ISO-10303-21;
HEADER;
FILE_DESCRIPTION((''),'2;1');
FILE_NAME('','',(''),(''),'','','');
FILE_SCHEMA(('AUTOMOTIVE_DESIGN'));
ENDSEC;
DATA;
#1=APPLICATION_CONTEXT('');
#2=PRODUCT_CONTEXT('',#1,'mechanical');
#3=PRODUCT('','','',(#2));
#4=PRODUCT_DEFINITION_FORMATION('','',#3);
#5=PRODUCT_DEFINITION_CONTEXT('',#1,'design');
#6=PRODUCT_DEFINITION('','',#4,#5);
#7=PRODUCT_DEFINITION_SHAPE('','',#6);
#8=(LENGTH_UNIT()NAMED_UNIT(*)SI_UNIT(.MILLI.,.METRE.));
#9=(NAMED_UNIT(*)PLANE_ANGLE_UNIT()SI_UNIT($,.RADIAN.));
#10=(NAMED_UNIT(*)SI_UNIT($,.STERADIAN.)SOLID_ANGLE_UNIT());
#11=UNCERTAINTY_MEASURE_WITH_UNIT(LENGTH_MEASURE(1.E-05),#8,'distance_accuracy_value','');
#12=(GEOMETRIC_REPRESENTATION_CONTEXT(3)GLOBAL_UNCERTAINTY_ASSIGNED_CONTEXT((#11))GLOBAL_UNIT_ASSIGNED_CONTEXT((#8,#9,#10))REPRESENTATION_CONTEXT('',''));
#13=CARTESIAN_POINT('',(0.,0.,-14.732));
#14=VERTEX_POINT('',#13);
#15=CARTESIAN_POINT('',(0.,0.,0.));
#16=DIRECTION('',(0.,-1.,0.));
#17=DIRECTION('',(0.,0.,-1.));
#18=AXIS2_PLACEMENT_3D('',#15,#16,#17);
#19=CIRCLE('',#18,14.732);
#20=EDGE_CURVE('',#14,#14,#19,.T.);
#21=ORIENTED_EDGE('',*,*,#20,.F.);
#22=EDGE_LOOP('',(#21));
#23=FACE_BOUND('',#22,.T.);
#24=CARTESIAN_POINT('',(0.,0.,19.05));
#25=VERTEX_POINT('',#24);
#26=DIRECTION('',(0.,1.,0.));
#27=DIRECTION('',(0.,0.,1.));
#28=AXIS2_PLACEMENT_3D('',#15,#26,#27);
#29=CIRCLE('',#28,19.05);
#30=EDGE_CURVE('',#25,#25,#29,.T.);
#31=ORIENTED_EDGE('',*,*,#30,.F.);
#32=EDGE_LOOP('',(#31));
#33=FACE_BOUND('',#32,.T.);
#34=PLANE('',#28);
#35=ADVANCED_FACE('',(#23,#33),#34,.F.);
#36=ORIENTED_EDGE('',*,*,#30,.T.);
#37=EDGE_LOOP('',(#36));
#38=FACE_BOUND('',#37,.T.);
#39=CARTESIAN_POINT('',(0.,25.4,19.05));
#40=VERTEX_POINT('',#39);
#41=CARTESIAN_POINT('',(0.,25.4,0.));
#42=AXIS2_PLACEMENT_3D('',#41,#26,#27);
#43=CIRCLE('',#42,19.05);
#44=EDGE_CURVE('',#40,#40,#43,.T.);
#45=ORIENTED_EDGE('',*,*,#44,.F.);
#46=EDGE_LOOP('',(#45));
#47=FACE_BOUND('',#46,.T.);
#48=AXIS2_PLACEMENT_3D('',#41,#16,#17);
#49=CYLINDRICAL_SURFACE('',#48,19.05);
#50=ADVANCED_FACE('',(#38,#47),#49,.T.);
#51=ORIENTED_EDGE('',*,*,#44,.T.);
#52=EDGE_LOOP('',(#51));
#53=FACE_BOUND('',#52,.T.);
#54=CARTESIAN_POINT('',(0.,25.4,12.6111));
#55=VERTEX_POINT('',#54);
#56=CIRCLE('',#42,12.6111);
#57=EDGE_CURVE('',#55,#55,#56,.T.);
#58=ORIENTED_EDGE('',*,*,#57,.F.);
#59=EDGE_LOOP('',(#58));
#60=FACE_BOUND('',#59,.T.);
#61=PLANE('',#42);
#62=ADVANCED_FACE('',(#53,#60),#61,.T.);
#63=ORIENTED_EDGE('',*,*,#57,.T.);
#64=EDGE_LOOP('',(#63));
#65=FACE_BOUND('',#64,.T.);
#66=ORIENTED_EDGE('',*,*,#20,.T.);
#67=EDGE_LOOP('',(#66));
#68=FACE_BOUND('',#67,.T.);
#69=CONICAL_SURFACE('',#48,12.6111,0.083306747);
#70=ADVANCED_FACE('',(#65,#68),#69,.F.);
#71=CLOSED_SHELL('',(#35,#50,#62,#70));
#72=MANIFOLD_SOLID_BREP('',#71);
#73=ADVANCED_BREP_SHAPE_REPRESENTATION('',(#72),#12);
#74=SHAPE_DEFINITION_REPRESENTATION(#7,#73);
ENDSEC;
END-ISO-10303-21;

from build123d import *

# Parameters (mm, degrees)
SKETCH1_R           = 19.05
BOSS_EXTRUDE1_DEPTH = 25.4
SKETCH3_R           = 12.6111
SKETCH2_R           = 14.732


with BuildPart() as part:
    # Sketch1 → Boss-Extrude1 (new body)
    with BuildSketch(Plane(origin=(0, 0, 0), x_dir=(1, 0, 0), z_dir=(0, 1, 0))):
        Circle(SKETCH1_R)
    extrude(amount=BOSS_EXTRUDE1_DEPTH)

    # Sketch3 → Cut-Loft2 section 0
    with BuildSketch(Plane(origin=(0, 25.4, 0), x_dir=(1, 0, 0), z_dir=(0, 1, 0))):
        Circle(SKETCH3_R)
    # Sketch2 → Cut-Loft2 section 1
    with BuildSketch(Plane.XZ):
        Circle(SKETCH2_R)
    loft(mode=Mode.SUBTRACT)


solid = part.part
